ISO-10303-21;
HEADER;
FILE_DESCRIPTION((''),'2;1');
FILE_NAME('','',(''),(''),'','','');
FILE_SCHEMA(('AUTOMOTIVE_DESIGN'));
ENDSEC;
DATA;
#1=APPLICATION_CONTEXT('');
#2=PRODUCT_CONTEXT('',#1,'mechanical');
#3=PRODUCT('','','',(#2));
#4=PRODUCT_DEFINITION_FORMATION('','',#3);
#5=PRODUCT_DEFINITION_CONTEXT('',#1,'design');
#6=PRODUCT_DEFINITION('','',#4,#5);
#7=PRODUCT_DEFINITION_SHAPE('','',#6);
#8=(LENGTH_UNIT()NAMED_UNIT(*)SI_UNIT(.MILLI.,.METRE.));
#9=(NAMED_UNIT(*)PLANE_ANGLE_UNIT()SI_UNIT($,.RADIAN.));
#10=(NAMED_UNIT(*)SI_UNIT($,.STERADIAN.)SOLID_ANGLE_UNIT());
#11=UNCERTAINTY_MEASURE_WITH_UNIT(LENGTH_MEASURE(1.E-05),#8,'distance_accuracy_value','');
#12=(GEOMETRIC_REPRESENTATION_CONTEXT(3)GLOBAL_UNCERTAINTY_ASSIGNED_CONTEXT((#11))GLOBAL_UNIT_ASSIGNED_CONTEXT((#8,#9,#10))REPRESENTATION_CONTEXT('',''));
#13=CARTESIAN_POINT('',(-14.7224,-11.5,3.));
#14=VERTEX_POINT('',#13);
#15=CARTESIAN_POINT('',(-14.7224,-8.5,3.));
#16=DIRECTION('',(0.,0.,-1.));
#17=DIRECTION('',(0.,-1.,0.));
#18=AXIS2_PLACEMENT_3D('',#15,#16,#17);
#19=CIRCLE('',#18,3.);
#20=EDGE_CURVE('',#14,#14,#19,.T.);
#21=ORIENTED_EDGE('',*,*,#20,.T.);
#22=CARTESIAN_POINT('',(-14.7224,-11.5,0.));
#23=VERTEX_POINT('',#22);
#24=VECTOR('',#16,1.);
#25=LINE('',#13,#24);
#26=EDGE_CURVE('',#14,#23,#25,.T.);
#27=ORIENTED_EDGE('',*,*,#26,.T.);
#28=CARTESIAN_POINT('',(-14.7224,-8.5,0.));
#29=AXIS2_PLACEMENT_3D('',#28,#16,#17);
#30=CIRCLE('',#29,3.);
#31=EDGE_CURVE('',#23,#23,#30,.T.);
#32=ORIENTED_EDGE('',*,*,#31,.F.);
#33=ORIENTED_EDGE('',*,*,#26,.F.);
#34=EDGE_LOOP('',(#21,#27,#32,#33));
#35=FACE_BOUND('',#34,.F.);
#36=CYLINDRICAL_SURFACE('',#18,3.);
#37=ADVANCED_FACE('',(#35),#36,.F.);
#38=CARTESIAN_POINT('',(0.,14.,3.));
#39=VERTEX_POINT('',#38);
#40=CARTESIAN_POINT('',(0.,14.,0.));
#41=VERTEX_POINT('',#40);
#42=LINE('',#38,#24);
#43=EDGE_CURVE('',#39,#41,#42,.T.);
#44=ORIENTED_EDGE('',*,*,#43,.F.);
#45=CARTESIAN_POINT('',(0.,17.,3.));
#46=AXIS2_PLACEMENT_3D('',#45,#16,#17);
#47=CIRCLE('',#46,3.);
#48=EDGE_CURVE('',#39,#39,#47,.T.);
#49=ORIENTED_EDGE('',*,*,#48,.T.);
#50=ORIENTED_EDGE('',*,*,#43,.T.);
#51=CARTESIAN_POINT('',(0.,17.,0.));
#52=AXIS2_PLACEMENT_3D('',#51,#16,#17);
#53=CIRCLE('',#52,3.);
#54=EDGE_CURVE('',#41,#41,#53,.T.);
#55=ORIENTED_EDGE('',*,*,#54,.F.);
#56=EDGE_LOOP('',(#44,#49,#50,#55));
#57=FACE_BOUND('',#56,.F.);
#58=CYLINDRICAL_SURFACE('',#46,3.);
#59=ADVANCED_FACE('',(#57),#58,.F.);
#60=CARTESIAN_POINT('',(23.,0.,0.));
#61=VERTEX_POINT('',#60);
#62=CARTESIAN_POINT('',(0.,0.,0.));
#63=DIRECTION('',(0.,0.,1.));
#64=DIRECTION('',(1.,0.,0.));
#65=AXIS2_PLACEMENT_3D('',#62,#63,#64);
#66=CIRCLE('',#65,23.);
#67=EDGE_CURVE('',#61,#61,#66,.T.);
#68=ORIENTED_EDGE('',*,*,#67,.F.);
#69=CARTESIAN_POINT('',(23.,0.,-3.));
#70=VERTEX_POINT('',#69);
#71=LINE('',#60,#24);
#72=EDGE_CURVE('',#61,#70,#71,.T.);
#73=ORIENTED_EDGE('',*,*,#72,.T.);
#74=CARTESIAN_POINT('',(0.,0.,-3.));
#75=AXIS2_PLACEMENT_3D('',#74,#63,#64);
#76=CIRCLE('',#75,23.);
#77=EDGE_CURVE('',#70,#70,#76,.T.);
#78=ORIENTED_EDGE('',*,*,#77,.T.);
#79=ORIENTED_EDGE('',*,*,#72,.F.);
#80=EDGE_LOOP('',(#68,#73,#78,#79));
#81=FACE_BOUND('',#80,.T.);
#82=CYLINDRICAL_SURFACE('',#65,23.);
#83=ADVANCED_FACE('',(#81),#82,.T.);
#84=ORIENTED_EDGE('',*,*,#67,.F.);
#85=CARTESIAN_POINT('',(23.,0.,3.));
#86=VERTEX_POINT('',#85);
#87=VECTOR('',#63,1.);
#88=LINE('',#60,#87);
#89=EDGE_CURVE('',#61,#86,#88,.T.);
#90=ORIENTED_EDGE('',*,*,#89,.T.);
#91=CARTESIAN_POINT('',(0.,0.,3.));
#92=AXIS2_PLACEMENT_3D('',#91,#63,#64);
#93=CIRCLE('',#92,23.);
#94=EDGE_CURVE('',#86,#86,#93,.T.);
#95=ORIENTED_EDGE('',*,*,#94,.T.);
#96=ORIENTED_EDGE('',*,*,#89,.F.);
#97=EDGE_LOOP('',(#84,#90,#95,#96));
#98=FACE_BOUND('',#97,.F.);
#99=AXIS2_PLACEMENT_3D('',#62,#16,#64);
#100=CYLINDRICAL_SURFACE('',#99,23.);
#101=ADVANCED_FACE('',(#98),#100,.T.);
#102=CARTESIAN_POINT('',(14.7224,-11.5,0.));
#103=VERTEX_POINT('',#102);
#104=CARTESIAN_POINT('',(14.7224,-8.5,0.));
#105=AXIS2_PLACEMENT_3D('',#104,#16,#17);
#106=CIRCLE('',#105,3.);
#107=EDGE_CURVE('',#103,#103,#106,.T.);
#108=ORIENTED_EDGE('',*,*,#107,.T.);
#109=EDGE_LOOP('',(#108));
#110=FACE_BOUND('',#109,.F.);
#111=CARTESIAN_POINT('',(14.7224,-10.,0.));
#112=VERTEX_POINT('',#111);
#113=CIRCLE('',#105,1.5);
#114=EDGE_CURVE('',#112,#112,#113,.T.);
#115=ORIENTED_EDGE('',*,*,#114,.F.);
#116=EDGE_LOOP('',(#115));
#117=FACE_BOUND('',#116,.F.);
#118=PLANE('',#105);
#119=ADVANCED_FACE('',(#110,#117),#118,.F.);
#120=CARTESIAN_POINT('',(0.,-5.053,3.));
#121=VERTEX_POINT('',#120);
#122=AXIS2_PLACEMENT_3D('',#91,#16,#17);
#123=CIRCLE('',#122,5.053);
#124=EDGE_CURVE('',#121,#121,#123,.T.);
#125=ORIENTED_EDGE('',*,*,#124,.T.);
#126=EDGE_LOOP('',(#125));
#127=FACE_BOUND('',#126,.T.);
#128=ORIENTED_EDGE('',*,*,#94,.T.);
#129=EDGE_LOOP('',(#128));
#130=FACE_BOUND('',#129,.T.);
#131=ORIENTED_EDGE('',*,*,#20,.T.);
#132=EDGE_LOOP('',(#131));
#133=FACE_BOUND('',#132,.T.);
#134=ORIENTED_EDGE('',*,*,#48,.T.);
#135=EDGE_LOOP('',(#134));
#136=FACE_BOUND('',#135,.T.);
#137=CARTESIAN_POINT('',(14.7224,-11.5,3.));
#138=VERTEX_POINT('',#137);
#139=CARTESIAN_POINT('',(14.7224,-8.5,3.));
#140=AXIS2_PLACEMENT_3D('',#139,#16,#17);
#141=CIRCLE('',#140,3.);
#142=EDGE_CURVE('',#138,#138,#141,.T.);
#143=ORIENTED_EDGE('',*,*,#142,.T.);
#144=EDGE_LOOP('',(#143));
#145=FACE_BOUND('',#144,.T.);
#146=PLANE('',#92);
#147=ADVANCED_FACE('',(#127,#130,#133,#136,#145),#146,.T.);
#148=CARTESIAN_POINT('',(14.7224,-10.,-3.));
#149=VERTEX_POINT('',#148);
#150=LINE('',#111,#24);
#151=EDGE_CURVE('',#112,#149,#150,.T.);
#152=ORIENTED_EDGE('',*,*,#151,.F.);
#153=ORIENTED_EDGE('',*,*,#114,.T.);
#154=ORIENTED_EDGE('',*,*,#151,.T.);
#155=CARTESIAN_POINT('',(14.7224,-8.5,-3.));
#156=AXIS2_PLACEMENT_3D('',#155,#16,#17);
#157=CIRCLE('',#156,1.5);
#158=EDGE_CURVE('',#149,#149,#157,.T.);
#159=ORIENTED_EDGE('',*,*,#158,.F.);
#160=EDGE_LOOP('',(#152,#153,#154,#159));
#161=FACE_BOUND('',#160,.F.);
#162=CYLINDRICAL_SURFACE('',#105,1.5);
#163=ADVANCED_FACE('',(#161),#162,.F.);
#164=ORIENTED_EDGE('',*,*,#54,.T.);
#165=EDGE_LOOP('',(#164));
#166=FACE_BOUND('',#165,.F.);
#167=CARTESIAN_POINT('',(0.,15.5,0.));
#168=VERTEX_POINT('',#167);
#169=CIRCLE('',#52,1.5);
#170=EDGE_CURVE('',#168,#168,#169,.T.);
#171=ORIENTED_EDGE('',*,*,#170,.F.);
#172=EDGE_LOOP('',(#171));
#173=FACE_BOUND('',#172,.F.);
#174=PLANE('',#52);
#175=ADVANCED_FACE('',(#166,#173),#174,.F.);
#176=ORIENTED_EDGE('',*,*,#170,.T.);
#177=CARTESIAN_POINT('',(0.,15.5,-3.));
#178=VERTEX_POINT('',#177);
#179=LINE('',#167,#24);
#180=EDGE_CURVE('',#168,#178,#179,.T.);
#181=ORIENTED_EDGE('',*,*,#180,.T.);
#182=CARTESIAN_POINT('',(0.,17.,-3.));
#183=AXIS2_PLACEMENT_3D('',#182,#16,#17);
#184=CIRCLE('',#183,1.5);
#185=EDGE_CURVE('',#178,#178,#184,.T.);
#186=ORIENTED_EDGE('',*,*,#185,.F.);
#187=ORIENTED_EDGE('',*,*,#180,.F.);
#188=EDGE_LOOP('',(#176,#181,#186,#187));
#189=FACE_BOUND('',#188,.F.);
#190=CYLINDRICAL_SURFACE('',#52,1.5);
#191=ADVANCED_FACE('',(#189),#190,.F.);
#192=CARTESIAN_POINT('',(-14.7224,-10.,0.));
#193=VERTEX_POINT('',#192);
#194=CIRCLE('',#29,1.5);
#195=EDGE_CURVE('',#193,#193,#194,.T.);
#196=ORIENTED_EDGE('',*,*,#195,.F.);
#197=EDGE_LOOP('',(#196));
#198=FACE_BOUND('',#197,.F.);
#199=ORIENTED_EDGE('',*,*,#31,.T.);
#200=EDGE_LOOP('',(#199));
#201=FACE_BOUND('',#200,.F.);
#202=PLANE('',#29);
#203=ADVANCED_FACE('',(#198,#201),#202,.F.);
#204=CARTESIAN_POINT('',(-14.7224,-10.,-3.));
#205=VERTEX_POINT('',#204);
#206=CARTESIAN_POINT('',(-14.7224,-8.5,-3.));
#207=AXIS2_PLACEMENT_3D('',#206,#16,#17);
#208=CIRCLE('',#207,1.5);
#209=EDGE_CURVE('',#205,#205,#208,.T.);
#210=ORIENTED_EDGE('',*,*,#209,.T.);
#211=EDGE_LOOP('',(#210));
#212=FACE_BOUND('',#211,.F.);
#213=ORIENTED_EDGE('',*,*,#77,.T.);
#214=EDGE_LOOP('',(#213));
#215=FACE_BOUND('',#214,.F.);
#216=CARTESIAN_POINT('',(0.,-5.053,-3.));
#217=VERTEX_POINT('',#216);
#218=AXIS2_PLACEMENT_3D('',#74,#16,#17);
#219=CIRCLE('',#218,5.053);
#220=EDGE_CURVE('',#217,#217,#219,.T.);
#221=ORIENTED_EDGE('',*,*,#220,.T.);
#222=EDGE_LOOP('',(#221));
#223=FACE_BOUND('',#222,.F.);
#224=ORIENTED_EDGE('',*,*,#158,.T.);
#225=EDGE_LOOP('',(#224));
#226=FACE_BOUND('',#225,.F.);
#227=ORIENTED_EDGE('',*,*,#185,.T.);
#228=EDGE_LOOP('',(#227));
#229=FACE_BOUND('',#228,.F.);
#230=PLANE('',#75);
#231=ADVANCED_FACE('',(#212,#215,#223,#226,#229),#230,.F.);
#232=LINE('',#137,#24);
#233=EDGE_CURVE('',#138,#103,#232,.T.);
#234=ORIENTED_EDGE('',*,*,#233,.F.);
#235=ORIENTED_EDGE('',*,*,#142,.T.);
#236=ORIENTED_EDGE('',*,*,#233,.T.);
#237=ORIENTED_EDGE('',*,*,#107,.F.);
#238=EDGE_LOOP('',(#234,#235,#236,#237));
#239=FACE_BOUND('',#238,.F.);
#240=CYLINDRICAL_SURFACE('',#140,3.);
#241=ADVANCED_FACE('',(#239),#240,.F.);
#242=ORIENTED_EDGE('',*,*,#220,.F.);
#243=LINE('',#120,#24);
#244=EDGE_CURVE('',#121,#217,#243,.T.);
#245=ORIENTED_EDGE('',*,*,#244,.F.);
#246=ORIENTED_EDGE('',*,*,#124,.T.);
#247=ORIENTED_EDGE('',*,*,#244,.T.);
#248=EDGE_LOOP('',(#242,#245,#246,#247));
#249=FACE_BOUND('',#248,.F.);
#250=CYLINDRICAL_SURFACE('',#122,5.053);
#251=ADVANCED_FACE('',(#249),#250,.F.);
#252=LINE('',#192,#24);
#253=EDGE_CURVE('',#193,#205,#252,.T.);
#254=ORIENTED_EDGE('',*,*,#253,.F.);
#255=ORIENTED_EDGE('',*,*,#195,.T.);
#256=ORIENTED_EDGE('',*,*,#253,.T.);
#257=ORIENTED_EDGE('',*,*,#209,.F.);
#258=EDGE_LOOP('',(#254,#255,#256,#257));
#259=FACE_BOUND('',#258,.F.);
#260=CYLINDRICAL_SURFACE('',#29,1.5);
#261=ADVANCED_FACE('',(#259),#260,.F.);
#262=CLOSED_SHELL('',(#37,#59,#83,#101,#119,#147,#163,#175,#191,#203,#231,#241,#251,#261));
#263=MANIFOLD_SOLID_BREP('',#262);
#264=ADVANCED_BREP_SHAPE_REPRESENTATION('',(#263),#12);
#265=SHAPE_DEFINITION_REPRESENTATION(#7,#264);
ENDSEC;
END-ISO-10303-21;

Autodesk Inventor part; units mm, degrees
ref_plane "YZ Plane" through (0, 0, 0) normal (1, 0, 0) x (0, 1, 0)
ref_plane "XZ Plane" through (0, 0, 0) normal (0, 1, 0) x (-1, 0, 0)
ref_plane "XY Plane" through (0, 0, 0) normal (0, 0, 1) x (1, 0, 0)
sketch "Sketch1" plane through (0, 0, 0) normal (0, 0, 1) x (1, 0, 0)
  circle A0 centre (0, 0) radius 23
  dimension "d0" = 46
extrude "Extrusion1" add sketch "Sketch1" along normal mid plane 6
sketch "Sketch2" plane through (0, 0, 3) normal (0, 0, 1) x (1, 0, 0)
  circle A0 centre (0, 17) radius 1.5
  circle A1 centre (-14.7224, -8.5) radius 1.5
  circle A2 centre (14.7224, -8.5) radius 1.5
  point P0 (0, 0)
  dimension "d3" = 3
  dimension "d4" = 17
  dimension "d7" = 360
hole "Hole1" at (0, 17, 3) at (-14.7224, -8.5, 3) at (14.7224, -8.5, 3) direction (0, 0, -1) diameter 3 end through all counterbore diameter 6 counterbore depth 3
sketch "Sketch3" plane through (0, 0, 3) normal (0, 0, 1) x (1, 0, 0)
  circle A0 centre (0, 0) radius 6
  dimension "d16" = 12
hole "Hole2" at (0, 0, 3) direction (0, 0, -1) diameter 10.106 depth 6 thread size "M12x1.75" class "6H" standard "ISO Metric profile"
equation "\"d9\" = d3"
properties part number "Gripper_Central_Plate_Base" material "Aluminum 6061"
